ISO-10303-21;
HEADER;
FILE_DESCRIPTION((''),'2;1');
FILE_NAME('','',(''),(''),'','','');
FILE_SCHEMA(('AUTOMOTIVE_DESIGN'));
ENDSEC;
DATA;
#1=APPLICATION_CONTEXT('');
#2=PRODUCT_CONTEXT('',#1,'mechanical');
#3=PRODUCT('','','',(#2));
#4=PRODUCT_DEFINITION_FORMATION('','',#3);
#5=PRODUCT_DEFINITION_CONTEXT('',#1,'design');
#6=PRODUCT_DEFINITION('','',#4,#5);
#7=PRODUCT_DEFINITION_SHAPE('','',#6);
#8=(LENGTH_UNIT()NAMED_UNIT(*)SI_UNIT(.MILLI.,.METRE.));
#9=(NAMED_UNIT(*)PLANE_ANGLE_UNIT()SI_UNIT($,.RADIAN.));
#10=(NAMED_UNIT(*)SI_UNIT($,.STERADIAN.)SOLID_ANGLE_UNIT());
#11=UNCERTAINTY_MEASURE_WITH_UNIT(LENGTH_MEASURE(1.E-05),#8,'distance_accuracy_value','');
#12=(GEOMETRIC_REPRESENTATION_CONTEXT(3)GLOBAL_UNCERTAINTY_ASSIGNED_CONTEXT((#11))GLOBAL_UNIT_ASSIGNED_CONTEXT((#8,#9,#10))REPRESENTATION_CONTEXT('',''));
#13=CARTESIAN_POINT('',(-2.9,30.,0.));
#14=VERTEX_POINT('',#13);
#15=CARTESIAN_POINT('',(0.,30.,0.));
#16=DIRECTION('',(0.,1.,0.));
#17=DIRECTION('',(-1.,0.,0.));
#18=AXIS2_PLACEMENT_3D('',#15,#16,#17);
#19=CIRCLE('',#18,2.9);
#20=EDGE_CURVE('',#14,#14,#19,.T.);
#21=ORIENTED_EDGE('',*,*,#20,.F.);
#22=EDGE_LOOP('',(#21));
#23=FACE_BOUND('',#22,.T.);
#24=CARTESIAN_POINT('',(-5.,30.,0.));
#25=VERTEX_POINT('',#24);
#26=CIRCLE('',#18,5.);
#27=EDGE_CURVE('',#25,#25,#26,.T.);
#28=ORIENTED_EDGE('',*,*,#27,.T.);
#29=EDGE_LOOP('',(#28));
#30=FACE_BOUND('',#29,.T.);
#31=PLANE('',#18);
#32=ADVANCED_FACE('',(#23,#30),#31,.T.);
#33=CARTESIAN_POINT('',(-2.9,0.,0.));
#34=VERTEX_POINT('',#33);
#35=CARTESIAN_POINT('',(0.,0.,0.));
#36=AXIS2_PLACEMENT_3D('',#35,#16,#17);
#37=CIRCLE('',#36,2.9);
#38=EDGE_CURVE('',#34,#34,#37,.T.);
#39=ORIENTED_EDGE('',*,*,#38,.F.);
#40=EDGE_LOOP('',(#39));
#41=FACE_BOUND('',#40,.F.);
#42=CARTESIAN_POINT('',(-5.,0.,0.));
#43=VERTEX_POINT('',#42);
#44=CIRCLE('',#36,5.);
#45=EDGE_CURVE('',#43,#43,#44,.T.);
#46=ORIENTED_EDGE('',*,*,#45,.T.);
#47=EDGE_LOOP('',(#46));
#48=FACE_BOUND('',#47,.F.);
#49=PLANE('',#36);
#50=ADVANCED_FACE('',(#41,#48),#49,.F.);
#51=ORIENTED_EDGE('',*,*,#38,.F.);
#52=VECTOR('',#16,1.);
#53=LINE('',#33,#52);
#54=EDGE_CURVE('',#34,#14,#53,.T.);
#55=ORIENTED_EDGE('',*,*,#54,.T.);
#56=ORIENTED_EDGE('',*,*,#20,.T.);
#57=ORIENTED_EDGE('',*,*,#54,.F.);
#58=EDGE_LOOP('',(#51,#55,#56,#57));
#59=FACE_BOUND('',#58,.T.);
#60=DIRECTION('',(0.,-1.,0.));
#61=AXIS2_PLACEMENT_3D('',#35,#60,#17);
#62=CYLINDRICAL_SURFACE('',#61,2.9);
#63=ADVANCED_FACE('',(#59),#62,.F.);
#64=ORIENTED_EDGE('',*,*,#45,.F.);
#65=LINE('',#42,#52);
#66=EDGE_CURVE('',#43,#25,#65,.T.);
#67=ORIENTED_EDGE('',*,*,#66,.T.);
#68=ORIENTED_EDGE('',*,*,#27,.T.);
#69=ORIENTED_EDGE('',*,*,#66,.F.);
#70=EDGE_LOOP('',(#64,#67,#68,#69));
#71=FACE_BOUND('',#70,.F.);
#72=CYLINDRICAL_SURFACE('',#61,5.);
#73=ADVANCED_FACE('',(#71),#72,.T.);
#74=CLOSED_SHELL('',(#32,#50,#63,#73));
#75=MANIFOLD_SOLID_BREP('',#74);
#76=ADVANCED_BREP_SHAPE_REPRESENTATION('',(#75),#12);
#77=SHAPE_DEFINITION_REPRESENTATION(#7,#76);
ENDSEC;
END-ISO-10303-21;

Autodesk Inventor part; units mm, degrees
ref_plane "YZ Plane" through (0, 0, 0) normal (1, 0, 0) x (0, 1, 0)
ref_plane "XZ Plane" through (0, 0, 0) normal (0, 1, 0) x (-1, 0, 0)
ref_plane "XY Plane" through (0, 0, 0) normal (0, 0, 1) x (1, 0, 0)
sketch "Sketch1" plane through (0, 0, 0) normal (0, 1, 0) x (-1, 0, 0)
  circle A0 centre (0, 0) radius 2.9
  circle A1 centre (0, 0) radius 5
  dimension "d0" = 5.8
  dimension "d1" = 10
extrude "Extrusion1" add sketch "Sketch1" along normal blind 30
properties part number "Arena spacer"
